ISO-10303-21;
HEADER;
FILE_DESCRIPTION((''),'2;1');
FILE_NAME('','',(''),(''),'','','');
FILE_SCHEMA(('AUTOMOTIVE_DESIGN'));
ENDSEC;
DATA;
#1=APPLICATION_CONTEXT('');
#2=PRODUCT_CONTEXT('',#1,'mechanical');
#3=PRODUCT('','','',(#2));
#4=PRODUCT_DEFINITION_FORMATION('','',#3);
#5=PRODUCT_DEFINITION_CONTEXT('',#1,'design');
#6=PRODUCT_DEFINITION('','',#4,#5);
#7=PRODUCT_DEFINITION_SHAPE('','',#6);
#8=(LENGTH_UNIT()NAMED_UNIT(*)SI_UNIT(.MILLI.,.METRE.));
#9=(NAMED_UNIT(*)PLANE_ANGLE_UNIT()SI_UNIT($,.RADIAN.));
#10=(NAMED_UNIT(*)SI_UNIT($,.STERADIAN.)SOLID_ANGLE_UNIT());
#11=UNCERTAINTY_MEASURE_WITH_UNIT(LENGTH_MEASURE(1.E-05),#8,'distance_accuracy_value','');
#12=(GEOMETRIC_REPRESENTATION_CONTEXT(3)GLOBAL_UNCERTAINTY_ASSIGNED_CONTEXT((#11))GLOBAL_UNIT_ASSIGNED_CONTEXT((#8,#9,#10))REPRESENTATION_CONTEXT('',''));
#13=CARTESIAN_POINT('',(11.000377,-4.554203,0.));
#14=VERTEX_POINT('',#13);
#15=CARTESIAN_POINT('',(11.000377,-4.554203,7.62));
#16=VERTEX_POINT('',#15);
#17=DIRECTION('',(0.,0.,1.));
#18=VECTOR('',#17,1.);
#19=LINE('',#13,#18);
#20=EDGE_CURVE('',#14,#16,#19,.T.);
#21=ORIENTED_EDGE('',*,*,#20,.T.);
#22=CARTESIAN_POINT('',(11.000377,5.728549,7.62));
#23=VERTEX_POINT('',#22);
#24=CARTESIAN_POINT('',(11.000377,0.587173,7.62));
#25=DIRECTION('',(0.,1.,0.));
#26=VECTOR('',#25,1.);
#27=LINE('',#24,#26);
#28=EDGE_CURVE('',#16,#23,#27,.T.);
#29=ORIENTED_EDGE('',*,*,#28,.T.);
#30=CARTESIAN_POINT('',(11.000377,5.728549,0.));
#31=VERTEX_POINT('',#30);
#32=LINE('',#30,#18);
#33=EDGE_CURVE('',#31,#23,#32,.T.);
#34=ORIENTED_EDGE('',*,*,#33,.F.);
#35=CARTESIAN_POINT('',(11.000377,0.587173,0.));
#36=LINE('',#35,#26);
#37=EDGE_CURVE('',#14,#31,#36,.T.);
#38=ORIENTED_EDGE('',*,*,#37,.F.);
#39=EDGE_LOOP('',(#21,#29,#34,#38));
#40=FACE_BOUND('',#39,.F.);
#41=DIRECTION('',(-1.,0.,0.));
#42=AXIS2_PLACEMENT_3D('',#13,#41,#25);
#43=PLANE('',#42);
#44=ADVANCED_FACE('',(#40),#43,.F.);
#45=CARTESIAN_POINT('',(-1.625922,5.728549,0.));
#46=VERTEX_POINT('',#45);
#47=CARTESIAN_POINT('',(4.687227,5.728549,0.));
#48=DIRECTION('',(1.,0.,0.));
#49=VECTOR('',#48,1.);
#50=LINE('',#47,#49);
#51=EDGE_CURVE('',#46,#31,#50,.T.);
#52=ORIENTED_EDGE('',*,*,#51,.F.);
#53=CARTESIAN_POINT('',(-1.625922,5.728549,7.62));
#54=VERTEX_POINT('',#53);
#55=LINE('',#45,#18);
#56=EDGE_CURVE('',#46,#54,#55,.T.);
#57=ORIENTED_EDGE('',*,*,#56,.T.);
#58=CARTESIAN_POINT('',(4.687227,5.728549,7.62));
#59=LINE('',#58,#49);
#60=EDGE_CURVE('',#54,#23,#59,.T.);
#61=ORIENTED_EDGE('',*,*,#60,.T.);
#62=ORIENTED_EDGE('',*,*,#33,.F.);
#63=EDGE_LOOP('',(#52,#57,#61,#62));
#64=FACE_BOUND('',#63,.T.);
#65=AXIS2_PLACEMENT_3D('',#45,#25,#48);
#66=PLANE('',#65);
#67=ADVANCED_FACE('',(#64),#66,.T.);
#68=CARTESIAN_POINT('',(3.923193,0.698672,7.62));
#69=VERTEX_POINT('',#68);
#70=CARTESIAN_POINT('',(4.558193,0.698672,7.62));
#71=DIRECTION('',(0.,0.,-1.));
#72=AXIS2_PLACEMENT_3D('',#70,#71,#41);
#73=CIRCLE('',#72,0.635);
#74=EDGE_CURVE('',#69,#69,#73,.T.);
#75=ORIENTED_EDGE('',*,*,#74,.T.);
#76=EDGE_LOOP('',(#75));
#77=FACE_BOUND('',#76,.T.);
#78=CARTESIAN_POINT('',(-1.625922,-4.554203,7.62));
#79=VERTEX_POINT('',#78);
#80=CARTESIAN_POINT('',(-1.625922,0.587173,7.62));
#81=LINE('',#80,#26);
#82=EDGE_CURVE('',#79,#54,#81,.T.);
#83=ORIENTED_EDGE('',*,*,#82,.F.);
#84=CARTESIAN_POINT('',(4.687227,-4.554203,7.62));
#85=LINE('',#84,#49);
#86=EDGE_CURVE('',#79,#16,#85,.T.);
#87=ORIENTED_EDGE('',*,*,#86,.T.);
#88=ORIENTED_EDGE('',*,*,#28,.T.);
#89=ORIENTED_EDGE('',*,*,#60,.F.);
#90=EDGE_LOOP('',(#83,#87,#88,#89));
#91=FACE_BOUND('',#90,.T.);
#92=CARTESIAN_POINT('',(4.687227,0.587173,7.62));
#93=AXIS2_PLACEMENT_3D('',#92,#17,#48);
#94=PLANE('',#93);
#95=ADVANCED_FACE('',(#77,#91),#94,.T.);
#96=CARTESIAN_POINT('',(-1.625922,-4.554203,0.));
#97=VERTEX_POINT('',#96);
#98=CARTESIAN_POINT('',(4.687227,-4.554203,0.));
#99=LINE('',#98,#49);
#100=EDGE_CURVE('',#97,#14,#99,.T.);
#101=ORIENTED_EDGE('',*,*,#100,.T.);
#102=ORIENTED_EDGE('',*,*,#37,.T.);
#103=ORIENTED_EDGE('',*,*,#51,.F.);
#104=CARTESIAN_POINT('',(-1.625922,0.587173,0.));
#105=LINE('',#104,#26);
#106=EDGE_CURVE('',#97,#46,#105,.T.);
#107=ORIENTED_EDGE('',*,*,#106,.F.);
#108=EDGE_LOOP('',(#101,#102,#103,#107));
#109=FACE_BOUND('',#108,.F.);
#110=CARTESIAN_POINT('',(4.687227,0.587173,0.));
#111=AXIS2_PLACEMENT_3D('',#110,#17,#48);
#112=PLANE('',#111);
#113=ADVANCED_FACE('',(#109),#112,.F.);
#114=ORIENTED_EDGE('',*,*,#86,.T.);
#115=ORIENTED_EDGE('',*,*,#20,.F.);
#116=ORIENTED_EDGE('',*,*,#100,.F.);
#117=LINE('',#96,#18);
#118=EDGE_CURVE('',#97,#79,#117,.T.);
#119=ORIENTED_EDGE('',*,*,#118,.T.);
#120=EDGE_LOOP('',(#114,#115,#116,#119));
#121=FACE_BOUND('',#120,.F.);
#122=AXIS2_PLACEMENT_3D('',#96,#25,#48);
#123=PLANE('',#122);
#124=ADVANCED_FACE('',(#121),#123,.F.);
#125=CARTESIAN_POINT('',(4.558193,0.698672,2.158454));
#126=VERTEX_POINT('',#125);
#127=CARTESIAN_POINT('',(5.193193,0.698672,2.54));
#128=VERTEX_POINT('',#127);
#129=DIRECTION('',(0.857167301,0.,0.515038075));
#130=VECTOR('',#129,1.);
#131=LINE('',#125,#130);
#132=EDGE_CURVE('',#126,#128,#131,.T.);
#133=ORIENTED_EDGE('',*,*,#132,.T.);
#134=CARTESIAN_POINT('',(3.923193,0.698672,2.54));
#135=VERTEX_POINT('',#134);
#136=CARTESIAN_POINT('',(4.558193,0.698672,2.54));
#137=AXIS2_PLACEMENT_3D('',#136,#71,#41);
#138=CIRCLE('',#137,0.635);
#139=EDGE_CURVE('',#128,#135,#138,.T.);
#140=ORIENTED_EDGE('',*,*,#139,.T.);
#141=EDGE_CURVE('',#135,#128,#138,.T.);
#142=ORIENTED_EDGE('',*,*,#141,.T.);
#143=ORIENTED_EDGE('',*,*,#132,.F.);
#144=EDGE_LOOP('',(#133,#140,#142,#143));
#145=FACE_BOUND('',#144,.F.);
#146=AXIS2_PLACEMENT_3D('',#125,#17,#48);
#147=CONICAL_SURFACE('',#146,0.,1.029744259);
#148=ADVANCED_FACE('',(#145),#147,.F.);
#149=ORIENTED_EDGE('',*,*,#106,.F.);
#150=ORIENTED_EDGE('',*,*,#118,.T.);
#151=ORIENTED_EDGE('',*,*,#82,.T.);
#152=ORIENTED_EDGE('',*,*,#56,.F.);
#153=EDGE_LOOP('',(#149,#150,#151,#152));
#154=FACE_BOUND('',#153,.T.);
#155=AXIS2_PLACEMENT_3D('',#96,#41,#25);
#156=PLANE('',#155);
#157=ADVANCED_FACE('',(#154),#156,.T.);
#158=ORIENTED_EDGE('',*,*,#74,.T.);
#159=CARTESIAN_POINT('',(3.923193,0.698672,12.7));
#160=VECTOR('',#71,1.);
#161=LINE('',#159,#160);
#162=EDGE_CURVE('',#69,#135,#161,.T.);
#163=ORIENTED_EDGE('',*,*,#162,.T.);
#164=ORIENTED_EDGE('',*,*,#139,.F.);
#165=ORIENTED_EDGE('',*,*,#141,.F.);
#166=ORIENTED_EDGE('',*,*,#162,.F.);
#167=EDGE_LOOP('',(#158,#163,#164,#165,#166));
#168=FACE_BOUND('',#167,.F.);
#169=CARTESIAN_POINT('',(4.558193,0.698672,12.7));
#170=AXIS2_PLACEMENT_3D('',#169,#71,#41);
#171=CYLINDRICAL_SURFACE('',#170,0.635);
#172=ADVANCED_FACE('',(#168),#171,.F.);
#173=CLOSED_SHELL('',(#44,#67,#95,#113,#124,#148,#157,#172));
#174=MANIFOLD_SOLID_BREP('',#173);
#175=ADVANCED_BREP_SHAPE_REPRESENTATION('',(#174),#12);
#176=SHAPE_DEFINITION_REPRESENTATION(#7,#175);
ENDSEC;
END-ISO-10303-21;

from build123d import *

# Parameters (mm, degrees)
F0_W     = 12.6262992853
F0_H     = 10.2827516384
F1_DEPTH = 7.62
F3_D     = 1.27
F3_DEPTH = 5.08
F3_TIP   = 0.3815464931


with BuildPart() as f1:
    # F0 (on Top) → F1 (new body)
    with BuildSketch(Plane.XY):
        with Locations((4.6872274834, 0.5871730391)):
            Rectangle(F0_W, F0_H)
    extrude(amount=F1_DEPTH)

    # F3
    with Locations(Plane.XY.offset(7.62)):
        with Locations((4.5581934974, 0.6986723747)):
            Hole(F3_D / 2, depth=F3_DEPTH)
            with Locations((0, 0, -(F3_DEPTH + F3_TIP / 2))):  # 118° drill point
                Cone(0, F3_D / 2, F3_TIP, mode=Mode.SUBTRACT)


solid = f1.part
